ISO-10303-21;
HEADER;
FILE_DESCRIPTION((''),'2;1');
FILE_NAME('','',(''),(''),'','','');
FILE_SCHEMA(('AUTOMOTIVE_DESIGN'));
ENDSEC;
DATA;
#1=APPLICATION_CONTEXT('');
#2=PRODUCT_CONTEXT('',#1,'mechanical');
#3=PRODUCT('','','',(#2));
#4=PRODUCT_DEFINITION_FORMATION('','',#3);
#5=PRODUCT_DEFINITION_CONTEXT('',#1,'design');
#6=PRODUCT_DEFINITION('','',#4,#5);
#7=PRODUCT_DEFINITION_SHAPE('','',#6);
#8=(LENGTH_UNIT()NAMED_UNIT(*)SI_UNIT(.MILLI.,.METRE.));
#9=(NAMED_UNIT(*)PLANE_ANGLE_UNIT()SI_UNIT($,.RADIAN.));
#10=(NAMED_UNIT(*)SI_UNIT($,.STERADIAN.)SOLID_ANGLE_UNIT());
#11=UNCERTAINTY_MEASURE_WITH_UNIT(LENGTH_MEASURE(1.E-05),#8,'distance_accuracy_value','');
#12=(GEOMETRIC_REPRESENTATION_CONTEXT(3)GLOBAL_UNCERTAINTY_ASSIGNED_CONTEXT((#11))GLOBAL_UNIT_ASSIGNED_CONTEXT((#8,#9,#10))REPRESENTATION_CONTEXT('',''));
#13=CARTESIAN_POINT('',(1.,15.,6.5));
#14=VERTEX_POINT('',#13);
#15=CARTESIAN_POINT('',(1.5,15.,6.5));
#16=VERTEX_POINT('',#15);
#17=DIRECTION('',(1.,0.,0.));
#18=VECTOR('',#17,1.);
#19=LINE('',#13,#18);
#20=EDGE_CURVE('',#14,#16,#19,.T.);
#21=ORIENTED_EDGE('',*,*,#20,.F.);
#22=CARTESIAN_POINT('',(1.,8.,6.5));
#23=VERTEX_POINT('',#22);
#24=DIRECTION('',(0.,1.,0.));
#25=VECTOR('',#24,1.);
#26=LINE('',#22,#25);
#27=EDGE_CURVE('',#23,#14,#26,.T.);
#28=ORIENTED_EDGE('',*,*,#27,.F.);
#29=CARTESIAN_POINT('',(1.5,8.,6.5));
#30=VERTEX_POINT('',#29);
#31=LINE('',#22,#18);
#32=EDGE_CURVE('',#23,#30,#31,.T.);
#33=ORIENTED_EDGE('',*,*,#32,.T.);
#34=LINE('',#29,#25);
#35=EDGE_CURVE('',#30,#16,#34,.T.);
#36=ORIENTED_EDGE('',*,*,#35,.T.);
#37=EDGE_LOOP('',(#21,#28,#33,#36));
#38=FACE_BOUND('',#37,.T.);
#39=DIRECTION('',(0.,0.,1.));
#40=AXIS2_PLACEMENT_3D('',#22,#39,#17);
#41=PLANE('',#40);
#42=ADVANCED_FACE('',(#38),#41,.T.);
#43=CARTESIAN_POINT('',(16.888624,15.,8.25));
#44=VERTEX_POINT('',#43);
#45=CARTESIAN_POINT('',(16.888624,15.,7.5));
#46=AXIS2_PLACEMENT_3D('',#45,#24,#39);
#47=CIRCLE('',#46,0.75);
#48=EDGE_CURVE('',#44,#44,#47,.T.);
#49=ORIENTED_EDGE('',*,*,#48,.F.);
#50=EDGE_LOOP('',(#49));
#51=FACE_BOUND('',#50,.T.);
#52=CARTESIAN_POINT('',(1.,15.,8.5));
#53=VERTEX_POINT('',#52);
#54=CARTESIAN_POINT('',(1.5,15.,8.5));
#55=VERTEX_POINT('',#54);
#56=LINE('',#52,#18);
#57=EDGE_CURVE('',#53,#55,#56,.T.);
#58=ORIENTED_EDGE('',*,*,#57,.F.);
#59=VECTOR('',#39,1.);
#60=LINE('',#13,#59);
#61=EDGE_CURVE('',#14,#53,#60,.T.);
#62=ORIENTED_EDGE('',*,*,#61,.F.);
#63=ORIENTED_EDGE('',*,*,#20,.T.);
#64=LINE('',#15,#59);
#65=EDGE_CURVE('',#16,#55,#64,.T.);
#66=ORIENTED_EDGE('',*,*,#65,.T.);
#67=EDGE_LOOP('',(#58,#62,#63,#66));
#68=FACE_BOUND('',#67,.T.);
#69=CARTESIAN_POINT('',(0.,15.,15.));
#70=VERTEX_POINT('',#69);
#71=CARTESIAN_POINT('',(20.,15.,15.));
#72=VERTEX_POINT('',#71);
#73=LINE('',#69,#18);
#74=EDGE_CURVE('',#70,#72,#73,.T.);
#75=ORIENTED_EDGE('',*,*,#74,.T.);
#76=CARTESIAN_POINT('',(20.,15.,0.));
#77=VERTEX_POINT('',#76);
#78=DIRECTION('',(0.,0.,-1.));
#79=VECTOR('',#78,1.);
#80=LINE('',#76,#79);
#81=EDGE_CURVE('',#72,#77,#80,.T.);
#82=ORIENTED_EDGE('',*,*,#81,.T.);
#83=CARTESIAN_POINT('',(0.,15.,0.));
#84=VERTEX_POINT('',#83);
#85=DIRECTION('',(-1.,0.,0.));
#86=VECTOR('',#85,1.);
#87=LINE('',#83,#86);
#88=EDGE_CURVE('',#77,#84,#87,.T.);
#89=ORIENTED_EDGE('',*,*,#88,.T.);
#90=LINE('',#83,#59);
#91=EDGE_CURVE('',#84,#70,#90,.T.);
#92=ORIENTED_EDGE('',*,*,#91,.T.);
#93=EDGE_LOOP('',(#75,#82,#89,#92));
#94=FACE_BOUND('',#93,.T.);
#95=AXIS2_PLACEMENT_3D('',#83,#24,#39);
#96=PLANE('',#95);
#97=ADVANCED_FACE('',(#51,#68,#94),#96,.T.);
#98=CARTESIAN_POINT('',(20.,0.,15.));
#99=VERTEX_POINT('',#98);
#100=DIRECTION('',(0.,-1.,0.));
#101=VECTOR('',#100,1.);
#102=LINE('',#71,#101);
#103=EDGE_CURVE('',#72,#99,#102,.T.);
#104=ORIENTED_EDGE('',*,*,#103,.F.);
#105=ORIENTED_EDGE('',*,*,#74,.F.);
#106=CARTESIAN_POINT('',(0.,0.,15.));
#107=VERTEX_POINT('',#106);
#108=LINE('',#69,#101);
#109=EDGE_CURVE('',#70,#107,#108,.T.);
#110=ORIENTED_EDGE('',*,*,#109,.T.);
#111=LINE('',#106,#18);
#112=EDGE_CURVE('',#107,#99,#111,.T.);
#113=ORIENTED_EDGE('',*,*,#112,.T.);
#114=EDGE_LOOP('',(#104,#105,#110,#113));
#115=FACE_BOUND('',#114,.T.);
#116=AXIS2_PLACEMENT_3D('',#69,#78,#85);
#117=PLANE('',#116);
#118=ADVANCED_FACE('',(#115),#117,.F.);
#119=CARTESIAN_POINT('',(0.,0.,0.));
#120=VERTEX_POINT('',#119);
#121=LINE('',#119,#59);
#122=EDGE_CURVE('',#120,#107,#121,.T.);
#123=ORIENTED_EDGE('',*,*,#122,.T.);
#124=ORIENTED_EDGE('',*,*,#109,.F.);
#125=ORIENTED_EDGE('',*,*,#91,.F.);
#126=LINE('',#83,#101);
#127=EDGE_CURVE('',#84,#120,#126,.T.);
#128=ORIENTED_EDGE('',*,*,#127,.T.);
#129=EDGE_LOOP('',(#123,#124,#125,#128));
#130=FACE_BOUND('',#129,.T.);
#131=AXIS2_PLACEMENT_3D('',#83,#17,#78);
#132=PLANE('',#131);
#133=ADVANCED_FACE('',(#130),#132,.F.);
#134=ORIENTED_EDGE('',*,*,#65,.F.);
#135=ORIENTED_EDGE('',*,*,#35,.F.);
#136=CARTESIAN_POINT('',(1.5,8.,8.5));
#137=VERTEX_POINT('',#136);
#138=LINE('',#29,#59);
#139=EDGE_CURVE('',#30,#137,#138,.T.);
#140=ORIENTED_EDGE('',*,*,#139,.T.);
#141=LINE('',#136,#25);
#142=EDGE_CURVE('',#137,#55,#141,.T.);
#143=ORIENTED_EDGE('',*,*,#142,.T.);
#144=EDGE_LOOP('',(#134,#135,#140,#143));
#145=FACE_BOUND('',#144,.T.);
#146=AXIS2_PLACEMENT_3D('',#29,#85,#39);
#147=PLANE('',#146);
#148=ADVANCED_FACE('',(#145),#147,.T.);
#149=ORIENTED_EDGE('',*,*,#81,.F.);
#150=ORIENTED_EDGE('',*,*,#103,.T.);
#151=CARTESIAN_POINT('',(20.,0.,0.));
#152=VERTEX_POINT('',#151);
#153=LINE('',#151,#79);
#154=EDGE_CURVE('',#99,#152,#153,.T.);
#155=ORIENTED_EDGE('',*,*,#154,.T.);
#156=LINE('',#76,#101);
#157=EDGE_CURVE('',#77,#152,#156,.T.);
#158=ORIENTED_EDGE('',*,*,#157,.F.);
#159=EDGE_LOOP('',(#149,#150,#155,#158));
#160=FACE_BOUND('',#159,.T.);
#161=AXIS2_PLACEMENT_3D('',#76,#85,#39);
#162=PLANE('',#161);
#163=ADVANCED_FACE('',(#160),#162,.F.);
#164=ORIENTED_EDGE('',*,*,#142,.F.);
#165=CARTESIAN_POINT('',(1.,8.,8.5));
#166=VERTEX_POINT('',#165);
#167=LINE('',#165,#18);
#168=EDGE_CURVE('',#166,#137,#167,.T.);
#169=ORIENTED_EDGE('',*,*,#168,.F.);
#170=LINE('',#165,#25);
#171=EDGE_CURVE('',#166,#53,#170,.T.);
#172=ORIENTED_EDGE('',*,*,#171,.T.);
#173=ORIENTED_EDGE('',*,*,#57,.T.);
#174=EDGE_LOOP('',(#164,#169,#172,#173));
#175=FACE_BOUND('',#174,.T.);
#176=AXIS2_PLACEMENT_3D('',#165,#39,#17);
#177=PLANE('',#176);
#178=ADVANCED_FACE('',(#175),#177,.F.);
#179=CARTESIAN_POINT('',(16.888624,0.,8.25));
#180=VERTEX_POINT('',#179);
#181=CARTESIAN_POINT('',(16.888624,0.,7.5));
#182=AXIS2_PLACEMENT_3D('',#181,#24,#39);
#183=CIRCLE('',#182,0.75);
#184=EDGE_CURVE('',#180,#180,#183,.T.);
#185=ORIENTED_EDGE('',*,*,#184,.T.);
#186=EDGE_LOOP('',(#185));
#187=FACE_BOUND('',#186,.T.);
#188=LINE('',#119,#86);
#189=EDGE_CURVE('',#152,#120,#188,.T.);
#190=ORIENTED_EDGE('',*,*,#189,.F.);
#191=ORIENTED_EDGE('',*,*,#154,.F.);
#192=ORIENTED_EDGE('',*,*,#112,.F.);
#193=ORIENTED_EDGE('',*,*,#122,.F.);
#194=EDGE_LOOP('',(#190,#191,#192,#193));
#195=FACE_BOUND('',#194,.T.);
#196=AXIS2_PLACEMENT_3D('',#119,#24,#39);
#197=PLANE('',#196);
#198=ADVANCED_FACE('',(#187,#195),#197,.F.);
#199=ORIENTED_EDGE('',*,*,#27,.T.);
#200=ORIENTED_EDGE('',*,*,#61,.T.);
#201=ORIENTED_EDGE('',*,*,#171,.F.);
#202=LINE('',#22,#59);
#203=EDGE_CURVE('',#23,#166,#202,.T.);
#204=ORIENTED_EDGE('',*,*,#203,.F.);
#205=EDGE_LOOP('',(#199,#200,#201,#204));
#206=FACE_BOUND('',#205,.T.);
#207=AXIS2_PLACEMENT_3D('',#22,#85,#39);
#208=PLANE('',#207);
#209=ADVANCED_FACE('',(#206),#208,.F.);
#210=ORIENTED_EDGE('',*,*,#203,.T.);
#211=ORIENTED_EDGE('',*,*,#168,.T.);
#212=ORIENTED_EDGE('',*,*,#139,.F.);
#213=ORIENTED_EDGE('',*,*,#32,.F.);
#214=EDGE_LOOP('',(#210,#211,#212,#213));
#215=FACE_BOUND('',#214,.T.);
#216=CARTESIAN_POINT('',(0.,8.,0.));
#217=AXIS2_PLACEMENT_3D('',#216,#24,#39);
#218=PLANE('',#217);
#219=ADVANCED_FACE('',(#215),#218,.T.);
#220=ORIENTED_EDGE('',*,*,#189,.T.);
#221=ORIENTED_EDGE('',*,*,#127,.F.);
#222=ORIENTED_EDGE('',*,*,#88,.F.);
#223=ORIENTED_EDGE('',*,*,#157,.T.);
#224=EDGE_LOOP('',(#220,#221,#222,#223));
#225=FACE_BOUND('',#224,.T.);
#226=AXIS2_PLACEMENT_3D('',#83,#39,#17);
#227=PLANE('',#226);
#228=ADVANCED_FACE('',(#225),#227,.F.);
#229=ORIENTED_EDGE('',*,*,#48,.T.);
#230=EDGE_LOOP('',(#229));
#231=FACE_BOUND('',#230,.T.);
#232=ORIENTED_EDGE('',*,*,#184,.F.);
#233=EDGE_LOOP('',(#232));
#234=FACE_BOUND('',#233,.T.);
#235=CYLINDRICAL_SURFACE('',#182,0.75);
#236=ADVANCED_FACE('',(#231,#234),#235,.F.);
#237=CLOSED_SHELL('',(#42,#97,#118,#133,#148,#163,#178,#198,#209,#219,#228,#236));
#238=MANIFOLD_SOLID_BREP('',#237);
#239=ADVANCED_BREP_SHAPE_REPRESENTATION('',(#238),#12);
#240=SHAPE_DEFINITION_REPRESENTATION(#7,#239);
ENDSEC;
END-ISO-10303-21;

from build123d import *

# Parameters (mm, degrees)
CROQUIS1_W              = 20
CROQUIS1_H              = 15
SALIENTE_EXTRUIR1_DEPTH = 15
CROQUIS2_R              = 0.75
CORTAR_EXTRUIR1_DEPTH   = 16
CROQUIS2_3_W            = 0.5
CROQUIS2_3_H            = 2
CORTAR_EXTRUIR2_DEPTH   = 7


with BuildPart() as part:
    # Croquis1 → Saliente-Extruir1 (new body)
    with BuildSketch(Plane(origin=(0, 0, 0), x_dir=(1, 0, 0), z_dir=(0, 1, 0))):
        with Locations((10, -7.5)):
            Rectangle(CROQUIS1_W, CROQUIS1_H)
    extrude(amount=SALIENTE_EXTRUIR1_DEPTH)

    # Croquis2 → Cortar-Extruir1 (cut, through all)
    with BuildSketch(Plane(origin=(0, 15, 0), x_dir=(1, 0, 0), z_dir=(0, 1, 0))):
        with Locations(Location((16.888623538, -7.5, 0), (0, 0, 270))):  # turned: the seam where the file's is
            Circle(CROQUIS2_R)
    extrude(amount=-CORTAR_EXTRUIR1_DEPTH, mode=Mode.SUBTRACT)

    # Croquis2_3 → Cortar-Extruir2 (cut)
    with BuildSketch(Plane(origin=(0, 15, 0), x_dir=(1, 0, 0), z_dir=(0, 1, 0))):
        with Locations((1.25, -7.5)):
            Rectangle(CROQUIS2_3_W, CROQUIS2_3_H)
    extrude(amount=-CORTAR_EXTRUIR2_DEPTH, mode=Mode.SUBTRACT)


solid = part.part
